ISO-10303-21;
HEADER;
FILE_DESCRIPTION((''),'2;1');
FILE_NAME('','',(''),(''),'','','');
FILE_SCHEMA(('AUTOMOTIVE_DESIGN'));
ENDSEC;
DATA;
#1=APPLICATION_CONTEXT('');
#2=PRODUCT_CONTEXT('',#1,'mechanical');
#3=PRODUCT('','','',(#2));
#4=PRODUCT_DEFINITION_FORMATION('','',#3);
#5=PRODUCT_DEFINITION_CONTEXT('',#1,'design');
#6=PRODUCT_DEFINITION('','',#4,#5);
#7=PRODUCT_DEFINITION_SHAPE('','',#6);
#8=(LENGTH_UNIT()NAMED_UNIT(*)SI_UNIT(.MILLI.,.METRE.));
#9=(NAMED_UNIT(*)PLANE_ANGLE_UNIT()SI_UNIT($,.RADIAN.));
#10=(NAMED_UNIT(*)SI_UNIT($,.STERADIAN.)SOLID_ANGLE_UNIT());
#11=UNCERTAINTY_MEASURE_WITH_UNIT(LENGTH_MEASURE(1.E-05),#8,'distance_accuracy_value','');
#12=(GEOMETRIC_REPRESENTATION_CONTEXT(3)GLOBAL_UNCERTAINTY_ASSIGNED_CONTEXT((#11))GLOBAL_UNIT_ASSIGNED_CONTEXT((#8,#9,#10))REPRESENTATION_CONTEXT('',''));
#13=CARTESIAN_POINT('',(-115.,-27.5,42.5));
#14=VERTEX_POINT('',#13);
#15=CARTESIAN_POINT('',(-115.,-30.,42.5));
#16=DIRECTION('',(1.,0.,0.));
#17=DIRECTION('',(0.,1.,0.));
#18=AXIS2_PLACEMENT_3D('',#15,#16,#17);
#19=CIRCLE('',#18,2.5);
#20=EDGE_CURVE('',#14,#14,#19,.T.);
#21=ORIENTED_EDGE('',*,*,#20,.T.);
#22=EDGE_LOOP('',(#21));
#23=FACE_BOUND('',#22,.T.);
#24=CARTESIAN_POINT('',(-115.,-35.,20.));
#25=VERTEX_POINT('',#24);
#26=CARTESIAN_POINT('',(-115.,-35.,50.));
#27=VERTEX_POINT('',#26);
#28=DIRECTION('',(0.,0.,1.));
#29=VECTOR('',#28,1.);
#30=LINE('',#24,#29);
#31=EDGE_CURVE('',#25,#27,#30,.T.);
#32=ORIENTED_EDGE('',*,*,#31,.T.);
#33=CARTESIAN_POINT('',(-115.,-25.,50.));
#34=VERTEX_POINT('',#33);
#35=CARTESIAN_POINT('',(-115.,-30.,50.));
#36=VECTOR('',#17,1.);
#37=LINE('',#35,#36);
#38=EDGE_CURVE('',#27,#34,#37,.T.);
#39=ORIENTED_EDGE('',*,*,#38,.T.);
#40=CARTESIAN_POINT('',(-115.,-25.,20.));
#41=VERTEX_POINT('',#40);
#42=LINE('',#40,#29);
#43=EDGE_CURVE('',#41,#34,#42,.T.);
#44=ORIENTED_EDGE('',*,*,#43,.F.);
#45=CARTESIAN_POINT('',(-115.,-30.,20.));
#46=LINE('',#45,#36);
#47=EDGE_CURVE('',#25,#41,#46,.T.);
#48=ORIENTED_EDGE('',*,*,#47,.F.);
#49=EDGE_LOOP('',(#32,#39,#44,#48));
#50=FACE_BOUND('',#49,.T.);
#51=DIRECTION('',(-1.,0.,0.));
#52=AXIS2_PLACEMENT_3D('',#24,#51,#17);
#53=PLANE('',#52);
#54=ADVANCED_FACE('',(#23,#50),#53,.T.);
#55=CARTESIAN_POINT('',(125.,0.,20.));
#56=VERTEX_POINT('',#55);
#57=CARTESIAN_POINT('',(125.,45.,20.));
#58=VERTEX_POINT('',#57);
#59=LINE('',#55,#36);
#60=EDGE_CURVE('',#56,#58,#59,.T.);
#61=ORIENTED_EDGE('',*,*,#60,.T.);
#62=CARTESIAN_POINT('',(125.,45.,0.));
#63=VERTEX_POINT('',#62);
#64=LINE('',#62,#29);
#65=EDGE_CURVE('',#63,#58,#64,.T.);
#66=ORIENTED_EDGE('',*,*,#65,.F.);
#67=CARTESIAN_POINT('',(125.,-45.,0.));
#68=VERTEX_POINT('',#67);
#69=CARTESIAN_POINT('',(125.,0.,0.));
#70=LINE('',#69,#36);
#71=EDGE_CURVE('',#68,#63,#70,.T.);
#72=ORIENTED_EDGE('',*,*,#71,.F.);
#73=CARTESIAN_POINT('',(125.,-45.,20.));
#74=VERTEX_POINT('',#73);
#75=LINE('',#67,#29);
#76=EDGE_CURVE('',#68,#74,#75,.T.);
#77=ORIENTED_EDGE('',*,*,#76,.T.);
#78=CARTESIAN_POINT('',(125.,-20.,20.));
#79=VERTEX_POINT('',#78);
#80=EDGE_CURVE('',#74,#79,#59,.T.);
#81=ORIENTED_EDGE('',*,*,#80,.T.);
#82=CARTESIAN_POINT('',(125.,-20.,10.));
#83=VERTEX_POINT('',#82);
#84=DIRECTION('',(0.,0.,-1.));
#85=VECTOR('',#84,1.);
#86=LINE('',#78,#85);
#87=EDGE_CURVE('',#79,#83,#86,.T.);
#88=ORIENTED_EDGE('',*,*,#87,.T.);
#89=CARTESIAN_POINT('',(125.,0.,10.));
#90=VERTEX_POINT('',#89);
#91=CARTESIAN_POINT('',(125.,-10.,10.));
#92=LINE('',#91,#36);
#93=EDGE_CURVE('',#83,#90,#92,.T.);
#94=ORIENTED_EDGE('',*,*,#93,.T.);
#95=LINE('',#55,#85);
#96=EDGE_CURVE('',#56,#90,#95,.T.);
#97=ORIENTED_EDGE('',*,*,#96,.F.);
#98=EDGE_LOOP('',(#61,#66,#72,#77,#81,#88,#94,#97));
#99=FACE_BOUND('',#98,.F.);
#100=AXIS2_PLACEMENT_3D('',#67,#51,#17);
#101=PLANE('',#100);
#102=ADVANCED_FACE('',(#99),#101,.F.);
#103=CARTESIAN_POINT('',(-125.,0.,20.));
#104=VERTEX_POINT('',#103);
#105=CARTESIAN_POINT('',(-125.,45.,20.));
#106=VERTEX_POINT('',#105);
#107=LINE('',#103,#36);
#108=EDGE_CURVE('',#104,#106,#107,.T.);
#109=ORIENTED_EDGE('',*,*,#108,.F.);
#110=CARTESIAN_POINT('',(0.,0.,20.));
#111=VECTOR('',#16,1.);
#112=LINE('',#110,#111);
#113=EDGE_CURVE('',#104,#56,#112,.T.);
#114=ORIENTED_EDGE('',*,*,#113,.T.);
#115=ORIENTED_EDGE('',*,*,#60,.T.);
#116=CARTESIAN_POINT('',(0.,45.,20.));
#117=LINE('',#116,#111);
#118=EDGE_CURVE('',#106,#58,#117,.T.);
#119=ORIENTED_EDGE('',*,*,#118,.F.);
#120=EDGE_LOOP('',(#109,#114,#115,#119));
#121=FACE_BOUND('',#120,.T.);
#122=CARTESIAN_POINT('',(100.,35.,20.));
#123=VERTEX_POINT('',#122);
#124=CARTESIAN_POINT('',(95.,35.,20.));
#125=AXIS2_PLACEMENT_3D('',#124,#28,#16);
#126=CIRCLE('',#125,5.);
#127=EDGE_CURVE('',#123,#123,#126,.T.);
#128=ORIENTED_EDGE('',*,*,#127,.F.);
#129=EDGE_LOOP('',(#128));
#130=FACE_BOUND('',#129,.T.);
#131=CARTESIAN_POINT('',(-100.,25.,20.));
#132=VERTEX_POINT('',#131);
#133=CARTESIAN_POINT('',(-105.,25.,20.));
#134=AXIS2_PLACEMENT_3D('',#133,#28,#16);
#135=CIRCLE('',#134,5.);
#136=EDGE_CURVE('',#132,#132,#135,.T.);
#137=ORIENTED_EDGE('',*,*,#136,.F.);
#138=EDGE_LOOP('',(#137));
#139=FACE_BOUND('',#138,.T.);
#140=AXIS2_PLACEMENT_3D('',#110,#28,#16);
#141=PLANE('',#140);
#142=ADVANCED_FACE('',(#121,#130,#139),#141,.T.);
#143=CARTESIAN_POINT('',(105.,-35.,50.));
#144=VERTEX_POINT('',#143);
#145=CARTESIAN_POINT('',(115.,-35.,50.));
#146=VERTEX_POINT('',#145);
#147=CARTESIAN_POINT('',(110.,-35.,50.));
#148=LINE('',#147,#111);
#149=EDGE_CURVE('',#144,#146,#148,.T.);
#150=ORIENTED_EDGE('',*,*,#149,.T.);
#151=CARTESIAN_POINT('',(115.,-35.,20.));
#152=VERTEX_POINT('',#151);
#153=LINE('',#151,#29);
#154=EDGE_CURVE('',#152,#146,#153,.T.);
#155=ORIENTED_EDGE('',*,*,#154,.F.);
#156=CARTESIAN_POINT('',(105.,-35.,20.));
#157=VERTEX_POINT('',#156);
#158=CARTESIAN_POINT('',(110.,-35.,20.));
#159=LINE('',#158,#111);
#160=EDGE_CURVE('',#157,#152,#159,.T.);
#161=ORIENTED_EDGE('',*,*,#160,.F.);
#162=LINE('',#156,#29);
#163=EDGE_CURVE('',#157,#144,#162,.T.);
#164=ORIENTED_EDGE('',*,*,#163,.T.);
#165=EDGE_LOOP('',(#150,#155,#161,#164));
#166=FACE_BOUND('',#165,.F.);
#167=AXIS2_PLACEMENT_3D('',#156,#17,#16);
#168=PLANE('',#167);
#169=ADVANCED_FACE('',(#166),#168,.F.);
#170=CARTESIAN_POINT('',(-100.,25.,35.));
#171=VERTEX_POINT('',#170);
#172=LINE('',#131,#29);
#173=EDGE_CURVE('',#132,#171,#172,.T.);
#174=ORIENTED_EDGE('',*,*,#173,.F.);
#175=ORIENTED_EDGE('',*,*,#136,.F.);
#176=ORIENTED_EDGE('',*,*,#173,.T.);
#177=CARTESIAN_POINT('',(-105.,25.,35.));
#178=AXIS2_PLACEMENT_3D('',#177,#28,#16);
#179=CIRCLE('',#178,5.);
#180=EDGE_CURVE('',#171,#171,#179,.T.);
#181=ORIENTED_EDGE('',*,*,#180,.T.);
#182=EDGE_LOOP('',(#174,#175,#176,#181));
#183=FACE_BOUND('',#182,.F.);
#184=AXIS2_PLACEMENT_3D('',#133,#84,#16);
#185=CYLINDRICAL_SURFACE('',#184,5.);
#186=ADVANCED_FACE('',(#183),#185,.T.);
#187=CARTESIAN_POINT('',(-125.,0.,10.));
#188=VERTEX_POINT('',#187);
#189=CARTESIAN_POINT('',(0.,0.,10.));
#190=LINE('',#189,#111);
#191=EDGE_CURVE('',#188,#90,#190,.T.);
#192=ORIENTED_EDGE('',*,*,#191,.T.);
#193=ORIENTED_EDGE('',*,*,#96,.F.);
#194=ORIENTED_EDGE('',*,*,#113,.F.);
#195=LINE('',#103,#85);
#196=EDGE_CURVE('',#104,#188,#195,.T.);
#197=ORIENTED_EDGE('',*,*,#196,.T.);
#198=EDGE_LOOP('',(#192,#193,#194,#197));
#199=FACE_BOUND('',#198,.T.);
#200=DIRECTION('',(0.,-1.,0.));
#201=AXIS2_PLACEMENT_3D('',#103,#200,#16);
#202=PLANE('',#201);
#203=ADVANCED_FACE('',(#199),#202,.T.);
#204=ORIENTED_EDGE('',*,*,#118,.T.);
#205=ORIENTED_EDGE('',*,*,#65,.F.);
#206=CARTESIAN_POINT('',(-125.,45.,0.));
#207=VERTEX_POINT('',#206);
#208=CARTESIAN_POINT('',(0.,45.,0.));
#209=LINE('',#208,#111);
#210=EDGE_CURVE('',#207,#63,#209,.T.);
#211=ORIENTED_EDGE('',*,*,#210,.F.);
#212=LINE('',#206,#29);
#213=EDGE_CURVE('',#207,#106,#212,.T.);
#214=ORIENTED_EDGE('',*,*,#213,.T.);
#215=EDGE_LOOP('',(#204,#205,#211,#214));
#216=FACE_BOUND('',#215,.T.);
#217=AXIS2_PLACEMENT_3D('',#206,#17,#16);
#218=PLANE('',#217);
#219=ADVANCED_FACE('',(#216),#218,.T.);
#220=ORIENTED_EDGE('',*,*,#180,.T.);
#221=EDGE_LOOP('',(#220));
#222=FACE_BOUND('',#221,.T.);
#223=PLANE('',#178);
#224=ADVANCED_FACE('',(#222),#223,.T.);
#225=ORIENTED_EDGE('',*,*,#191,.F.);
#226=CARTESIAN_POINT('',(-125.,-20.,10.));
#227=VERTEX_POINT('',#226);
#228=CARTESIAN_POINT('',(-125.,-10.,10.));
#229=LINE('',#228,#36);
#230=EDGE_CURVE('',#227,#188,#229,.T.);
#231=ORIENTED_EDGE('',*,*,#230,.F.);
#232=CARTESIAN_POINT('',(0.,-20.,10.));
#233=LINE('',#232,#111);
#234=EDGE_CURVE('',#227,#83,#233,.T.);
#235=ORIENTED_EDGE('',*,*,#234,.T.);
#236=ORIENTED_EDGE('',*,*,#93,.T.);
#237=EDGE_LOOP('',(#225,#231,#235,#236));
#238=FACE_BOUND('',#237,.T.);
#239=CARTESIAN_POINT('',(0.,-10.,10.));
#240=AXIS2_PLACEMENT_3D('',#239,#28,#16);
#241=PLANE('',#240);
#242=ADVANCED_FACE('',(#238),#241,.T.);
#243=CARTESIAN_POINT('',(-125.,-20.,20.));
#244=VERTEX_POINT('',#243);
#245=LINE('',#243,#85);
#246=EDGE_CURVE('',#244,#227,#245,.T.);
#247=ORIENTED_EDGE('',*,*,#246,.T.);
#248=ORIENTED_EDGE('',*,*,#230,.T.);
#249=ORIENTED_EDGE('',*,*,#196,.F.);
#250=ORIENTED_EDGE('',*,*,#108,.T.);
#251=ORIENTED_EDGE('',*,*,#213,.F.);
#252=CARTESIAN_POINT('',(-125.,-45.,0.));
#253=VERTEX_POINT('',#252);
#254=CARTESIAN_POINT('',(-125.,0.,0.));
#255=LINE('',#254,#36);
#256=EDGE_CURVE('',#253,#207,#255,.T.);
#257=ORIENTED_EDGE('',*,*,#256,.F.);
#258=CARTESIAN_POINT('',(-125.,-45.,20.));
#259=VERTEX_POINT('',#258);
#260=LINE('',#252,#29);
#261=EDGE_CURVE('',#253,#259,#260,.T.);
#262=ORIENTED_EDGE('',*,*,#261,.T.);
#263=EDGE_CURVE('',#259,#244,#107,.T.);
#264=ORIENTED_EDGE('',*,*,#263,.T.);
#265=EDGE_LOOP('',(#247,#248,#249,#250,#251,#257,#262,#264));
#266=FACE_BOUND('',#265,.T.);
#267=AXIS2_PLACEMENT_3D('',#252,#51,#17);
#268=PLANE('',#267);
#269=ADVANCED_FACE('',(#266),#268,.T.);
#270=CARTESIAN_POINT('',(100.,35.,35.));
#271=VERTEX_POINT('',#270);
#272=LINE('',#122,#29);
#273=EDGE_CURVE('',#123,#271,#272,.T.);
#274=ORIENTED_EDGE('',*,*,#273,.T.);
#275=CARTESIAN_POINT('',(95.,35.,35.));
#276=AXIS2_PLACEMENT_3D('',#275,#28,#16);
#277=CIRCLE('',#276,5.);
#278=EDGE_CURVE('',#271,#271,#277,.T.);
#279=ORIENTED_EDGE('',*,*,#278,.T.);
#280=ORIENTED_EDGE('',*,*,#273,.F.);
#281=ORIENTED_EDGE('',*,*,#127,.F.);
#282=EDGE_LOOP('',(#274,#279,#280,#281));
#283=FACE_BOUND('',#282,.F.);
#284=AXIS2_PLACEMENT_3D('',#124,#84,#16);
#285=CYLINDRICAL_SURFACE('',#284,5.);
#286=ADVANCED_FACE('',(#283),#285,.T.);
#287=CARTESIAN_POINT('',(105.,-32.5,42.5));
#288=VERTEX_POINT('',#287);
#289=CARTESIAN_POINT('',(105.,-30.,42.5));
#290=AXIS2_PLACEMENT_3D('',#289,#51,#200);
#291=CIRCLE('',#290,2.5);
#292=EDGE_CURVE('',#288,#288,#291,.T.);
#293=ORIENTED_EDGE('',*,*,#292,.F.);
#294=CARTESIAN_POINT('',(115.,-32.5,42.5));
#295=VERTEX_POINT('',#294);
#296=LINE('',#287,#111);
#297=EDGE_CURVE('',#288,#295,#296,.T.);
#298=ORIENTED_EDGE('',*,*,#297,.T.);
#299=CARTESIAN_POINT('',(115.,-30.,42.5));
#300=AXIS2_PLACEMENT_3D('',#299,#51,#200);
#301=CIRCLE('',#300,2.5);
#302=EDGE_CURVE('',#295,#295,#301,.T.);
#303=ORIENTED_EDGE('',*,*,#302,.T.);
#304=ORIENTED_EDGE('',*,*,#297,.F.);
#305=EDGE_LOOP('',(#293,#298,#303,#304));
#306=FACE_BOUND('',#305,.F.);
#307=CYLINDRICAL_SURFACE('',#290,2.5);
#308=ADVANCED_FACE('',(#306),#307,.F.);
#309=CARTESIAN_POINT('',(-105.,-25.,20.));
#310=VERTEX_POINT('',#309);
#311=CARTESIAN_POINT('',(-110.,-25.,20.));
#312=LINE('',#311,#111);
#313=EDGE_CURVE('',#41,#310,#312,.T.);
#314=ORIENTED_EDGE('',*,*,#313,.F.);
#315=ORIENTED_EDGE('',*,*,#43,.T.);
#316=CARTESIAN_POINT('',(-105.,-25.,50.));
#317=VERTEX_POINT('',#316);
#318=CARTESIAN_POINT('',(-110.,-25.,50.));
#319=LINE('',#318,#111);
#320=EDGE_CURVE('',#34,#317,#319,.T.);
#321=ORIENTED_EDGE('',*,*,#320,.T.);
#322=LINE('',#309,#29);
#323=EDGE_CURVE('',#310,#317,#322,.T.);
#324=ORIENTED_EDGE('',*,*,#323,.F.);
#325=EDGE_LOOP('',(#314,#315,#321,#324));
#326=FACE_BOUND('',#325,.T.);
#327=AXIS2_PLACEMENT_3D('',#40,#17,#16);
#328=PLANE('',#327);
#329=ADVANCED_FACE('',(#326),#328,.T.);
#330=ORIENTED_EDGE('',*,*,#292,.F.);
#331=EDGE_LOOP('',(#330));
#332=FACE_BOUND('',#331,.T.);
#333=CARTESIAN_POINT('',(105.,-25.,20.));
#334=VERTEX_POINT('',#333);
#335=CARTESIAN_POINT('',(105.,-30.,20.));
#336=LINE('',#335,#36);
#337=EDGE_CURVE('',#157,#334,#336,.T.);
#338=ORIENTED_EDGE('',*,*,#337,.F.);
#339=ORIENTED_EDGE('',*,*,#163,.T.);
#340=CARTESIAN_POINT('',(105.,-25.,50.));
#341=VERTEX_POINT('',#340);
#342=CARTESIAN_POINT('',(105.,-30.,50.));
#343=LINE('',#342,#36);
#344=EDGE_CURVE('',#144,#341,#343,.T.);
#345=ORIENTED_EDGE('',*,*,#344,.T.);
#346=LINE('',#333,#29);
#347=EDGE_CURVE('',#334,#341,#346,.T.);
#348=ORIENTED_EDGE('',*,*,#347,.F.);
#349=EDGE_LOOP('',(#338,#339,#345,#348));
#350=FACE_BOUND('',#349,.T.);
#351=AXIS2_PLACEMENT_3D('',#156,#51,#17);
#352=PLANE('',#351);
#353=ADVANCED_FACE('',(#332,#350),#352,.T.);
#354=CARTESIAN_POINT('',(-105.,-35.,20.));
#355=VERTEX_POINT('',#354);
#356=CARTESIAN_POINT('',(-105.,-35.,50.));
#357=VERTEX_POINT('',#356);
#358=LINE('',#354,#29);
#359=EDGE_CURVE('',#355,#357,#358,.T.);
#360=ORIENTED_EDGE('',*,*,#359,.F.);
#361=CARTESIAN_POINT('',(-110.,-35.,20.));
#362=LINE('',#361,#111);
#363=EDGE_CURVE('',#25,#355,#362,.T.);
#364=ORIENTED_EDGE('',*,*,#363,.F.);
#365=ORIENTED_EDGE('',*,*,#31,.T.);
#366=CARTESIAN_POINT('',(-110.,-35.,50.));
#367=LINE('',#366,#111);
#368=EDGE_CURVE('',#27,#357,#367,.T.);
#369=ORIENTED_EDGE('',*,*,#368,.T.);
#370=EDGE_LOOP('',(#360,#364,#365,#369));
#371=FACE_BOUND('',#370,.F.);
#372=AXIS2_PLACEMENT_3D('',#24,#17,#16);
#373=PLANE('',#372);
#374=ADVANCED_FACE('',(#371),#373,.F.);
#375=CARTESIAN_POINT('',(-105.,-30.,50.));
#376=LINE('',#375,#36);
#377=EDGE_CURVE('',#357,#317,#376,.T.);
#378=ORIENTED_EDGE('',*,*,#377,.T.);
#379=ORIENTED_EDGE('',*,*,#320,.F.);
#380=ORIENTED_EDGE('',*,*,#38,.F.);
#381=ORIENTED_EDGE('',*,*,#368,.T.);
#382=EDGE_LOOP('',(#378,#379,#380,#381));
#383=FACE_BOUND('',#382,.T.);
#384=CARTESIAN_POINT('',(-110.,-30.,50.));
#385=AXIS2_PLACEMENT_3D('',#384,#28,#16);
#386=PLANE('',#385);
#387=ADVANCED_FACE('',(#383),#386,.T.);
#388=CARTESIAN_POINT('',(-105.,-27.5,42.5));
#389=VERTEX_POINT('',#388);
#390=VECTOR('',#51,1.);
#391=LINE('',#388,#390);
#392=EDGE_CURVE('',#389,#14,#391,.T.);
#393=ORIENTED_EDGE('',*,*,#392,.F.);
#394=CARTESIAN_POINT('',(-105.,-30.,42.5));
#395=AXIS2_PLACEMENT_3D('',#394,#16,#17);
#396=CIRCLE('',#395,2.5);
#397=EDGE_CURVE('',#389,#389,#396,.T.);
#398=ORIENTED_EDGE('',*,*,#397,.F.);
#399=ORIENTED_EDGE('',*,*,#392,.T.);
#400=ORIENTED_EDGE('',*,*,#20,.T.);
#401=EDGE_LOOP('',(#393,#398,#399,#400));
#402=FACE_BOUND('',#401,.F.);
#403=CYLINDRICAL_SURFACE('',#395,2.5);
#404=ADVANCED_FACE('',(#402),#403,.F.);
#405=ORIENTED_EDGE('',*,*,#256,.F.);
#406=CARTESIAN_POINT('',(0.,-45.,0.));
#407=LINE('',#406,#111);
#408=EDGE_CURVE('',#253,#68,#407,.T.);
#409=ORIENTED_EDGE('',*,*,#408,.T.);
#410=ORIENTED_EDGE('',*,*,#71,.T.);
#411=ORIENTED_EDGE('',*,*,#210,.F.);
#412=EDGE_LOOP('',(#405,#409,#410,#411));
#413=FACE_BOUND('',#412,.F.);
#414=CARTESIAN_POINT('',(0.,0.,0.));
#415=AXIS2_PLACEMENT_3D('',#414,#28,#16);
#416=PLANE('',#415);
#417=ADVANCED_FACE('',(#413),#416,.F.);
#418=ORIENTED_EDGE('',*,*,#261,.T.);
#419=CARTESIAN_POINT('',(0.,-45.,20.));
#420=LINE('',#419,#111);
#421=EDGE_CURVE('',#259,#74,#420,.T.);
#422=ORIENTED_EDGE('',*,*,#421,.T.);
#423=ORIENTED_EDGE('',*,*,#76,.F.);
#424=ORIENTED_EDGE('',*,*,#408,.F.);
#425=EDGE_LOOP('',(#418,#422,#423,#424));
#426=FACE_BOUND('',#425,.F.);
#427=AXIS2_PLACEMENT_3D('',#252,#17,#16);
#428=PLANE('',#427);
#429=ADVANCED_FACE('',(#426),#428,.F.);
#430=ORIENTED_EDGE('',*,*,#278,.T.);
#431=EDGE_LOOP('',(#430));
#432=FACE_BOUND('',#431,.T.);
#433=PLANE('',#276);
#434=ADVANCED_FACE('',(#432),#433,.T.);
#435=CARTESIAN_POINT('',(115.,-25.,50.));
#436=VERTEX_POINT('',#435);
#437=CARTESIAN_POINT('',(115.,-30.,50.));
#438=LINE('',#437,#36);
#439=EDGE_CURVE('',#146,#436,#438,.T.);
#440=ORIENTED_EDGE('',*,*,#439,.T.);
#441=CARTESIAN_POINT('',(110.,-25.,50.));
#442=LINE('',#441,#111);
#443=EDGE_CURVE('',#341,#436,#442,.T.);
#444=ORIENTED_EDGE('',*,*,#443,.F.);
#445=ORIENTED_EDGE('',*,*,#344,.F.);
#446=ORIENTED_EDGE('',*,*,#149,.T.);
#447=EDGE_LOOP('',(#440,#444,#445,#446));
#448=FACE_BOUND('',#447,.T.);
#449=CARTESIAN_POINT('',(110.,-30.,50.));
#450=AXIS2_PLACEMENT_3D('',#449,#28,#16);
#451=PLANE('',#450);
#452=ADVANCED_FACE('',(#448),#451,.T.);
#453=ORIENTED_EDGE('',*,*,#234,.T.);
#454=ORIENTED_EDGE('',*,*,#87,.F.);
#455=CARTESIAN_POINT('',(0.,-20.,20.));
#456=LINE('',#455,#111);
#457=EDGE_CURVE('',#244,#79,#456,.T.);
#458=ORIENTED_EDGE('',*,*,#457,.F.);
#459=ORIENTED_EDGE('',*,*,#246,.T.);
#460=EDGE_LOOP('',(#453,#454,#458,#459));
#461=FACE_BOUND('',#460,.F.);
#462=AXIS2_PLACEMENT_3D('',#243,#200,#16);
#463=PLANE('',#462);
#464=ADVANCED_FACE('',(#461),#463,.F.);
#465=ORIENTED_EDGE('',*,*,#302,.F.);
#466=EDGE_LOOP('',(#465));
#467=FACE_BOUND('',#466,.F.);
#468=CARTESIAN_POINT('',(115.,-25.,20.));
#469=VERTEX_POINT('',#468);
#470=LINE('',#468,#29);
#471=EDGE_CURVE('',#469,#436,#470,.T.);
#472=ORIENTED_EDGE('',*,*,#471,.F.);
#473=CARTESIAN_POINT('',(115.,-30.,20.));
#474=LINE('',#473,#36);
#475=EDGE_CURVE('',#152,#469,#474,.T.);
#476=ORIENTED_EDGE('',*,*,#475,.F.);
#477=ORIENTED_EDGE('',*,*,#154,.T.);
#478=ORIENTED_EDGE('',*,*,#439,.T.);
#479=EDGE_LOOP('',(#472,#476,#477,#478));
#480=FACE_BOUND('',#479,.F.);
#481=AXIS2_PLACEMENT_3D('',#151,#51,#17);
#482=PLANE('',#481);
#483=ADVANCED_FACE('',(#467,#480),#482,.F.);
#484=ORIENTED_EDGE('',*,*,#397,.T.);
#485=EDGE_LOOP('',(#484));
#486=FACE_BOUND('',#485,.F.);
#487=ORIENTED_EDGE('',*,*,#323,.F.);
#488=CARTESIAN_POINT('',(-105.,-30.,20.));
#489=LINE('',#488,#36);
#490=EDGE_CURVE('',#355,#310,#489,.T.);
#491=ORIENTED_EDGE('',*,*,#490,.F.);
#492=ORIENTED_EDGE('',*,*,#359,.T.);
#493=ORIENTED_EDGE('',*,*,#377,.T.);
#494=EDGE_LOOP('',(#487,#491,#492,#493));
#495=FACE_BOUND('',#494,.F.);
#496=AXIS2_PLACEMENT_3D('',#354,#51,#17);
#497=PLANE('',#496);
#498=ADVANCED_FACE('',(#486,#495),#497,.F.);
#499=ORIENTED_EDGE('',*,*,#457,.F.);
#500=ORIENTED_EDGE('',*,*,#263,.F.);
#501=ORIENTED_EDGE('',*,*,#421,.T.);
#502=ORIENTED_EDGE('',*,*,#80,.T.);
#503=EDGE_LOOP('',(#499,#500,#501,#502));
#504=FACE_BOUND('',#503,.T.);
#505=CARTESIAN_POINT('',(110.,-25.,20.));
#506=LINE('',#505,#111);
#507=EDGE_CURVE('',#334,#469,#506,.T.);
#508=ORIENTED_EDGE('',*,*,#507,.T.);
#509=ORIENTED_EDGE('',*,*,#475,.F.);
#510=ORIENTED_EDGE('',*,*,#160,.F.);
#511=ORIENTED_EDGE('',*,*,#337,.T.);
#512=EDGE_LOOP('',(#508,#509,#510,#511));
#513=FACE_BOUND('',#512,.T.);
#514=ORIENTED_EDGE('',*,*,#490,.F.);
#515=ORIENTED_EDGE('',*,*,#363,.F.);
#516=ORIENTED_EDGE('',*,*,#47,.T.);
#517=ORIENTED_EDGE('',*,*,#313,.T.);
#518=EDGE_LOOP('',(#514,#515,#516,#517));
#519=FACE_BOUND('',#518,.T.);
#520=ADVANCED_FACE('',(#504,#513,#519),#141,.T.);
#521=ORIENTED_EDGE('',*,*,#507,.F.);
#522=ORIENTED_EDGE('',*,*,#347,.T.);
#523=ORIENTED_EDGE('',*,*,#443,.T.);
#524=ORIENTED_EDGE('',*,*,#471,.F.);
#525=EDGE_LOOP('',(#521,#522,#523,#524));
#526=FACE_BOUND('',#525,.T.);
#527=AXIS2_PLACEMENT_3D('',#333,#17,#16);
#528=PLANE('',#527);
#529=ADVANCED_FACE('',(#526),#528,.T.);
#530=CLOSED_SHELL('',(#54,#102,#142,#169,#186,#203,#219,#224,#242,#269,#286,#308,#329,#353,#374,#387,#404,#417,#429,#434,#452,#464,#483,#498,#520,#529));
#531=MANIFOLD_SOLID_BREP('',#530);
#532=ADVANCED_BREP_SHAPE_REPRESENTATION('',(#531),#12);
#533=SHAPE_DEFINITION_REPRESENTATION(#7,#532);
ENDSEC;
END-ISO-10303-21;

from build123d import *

# Parameters (mm, degrees)
F0_W      = 250
F0_H      = 90
F1_DEPTH  = 20
F2_R      = 5
F3_DEPTH  = 15
F4_W      = 250
F4_H      = 20
F5_DEPTH  = 10
F6_W      = 10
F6_H      = 10
F7_DEPTH  = 30
F8_R      = 2.5
F9_DEPTH  = 20.001
F10_R     = 2.5
F11_DEPTH = 20.001


with BuildPart() as f1:
    # F0 (on Top) → F1 (new body)
    with BuildSketch(Plane.XY):
        Rectangle(F0_W, F0_H)
    extrude(amount=F1_DEPTH)

    # F2 (on face) → F3 (join)
    with BuildSketch(Plane.XY.offset(20)):
        with Locations((95, 35)):
            Circle(F2_R)
        with Locations((-105, 25)):
            Circle(F2_R)
    extrude(amount=F3_DEPTH)

    # F4 (on face) → F5 (cut)
    with BuildSketch(Plane.XY.offset(20)):
        with Locations((0, -10)):
            Rectangle(F4_W, F4_H)
    extrude(amount=-F5_DEPTH, mode=Mode.SUBTRACT)

    # F6 (on face) → F7 (join)
    with BuildSketch(Plane.XY.offset(20)):
        with Locations((-110, -30)):
            Rectangle(F6_W, F6_H)
        with Locations((110, -30)):
            Rectangle(F6_W, F6_H)
    extrude(amount=F7_DEPTH)

    # F8 (on face) → F9 (cut, through all)
    with BuildSketch(Plane.YZ.offset(-105)):
        with Locations((-30, 42.5)):
            Circle(F8_R)
    extrude(amount=-F9_DEPTH, mode=Mode.SUBTRACT)

    # F10 (on face) → F11 (cut, through all)
    with BuildSketch(Plane(origin=(105, 0, 0), x_dir=(0, -1, 0), z_dir=(-1, 0, 0))):
        with Locations((30, 42.5)):
            Circle(F10_R)
    extrude(amount=-F11_DEPTH, mode=Mode.SUBTRACT)


solid = f1.part
